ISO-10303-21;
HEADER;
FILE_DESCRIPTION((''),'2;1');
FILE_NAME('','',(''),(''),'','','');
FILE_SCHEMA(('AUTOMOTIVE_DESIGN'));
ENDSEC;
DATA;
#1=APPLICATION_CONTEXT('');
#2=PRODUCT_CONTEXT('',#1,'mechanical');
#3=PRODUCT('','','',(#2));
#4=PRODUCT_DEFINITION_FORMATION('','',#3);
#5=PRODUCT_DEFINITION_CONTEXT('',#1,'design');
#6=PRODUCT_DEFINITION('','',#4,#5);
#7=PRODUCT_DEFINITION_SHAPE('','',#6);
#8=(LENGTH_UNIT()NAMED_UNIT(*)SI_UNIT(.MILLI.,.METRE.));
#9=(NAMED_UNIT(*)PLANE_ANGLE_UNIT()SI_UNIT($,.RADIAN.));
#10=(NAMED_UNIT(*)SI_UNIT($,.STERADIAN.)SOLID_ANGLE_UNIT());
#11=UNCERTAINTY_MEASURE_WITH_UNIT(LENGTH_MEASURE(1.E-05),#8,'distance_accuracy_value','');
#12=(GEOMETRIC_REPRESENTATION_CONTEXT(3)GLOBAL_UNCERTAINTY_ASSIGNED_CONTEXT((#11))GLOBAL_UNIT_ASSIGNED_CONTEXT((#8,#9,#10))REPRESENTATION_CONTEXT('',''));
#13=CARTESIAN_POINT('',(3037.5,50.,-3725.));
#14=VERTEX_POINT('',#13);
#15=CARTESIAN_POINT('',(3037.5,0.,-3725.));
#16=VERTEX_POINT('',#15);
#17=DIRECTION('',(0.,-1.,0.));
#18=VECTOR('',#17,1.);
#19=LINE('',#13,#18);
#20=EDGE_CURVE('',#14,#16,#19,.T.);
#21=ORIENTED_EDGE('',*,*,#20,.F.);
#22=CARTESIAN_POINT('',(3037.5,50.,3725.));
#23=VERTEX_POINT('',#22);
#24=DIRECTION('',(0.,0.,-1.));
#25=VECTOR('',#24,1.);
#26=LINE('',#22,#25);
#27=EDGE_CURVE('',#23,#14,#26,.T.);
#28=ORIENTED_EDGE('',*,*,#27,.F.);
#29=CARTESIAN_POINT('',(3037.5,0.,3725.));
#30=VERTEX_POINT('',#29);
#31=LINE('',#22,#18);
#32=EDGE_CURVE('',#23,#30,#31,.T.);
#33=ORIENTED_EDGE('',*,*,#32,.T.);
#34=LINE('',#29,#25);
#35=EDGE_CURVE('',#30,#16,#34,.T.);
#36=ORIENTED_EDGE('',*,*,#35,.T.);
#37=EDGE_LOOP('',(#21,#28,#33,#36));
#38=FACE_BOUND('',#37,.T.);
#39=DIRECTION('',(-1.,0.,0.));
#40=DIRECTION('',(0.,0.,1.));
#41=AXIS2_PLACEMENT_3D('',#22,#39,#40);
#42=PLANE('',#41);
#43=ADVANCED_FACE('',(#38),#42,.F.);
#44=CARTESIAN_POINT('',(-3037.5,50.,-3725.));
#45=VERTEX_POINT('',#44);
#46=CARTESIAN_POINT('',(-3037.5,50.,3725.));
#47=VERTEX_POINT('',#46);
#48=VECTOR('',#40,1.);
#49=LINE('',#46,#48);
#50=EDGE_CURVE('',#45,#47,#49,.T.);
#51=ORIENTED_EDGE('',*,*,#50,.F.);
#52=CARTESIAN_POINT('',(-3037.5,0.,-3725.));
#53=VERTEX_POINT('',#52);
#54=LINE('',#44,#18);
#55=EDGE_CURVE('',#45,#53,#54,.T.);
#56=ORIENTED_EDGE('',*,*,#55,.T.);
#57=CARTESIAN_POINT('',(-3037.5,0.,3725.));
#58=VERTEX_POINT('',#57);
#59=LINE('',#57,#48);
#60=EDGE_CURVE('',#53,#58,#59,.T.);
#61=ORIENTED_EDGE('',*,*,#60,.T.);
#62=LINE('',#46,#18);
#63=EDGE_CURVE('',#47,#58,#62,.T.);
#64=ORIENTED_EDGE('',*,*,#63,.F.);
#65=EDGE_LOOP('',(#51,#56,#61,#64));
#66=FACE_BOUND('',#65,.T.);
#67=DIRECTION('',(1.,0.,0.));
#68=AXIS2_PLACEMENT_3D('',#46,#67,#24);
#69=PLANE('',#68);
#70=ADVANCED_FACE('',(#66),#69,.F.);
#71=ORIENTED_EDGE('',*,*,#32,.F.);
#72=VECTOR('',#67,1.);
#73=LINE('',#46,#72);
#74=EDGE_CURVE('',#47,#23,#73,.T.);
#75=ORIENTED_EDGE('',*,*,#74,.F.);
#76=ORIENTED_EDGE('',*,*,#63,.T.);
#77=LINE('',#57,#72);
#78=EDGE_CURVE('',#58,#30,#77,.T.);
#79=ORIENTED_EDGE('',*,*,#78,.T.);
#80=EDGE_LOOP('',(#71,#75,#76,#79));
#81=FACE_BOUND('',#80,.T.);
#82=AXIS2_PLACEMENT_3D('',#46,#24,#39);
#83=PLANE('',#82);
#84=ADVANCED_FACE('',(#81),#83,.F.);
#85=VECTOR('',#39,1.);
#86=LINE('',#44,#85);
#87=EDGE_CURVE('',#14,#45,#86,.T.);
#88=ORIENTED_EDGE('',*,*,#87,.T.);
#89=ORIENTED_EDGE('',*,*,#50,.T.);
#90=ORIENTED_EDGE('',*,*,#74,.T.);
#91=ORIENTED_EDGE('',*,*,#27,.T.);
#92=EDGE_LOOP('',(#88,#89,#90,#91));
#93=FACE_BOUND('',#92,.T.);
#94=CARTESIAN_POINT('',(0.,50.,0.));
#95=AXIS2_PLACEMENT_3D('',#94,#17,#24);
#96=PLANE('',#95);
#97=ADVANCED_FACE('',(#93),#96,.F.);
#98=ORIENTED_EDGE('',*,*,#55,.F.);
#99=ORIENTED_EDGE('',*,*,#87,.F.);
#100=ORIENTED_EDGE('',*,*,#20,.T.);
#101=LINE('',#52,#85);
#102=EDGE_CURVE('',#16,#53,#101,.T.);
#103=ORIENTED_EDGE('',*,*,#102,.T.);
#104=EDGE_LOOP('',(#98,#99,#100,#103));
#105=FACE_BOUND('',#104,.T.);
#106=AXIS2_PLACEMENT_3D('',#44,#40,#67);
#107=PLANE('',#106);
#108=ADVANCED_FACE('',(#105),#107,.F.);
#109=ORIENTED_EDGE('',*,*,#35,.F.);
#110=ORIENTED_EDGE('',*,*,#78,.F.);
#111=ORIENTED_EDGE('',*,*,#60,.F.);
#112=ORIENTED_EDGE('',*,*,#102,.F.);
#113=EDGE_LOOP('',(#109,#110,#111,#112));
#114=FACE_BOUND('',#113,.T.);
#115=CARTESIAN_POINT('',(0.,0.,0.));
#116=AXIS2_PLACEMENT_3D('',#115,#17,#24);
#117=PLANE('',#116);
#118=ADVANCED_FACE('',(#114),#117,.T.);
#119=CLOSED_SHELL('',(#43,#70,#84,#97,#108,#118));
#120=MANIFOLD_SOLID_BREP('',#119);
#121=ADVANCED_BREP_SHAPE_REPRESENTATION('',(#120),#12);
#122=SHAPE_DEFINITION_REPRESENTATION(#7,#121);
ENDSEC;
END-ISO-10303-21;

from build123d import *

# Parameters (mm, degrees)
SKETCH_1_W      = 6075
SKETCH_1_H      = 7450
EXTRUDE_1_DEPTH = 50


with BuildPart() as part:
    # 草图1 → 凸台-拉伸1 (new body)
    with BuildSketch(Plane(origin=(0, 0, 0), x_dir=(1, 0, 0), z_dir=(0, 1, 0))):
        Rectangle(SKETCH_1_W, SKETCH_1_H)
    extrude(amount=EXTRUDE_1_DEPTH)


solid = part.part
